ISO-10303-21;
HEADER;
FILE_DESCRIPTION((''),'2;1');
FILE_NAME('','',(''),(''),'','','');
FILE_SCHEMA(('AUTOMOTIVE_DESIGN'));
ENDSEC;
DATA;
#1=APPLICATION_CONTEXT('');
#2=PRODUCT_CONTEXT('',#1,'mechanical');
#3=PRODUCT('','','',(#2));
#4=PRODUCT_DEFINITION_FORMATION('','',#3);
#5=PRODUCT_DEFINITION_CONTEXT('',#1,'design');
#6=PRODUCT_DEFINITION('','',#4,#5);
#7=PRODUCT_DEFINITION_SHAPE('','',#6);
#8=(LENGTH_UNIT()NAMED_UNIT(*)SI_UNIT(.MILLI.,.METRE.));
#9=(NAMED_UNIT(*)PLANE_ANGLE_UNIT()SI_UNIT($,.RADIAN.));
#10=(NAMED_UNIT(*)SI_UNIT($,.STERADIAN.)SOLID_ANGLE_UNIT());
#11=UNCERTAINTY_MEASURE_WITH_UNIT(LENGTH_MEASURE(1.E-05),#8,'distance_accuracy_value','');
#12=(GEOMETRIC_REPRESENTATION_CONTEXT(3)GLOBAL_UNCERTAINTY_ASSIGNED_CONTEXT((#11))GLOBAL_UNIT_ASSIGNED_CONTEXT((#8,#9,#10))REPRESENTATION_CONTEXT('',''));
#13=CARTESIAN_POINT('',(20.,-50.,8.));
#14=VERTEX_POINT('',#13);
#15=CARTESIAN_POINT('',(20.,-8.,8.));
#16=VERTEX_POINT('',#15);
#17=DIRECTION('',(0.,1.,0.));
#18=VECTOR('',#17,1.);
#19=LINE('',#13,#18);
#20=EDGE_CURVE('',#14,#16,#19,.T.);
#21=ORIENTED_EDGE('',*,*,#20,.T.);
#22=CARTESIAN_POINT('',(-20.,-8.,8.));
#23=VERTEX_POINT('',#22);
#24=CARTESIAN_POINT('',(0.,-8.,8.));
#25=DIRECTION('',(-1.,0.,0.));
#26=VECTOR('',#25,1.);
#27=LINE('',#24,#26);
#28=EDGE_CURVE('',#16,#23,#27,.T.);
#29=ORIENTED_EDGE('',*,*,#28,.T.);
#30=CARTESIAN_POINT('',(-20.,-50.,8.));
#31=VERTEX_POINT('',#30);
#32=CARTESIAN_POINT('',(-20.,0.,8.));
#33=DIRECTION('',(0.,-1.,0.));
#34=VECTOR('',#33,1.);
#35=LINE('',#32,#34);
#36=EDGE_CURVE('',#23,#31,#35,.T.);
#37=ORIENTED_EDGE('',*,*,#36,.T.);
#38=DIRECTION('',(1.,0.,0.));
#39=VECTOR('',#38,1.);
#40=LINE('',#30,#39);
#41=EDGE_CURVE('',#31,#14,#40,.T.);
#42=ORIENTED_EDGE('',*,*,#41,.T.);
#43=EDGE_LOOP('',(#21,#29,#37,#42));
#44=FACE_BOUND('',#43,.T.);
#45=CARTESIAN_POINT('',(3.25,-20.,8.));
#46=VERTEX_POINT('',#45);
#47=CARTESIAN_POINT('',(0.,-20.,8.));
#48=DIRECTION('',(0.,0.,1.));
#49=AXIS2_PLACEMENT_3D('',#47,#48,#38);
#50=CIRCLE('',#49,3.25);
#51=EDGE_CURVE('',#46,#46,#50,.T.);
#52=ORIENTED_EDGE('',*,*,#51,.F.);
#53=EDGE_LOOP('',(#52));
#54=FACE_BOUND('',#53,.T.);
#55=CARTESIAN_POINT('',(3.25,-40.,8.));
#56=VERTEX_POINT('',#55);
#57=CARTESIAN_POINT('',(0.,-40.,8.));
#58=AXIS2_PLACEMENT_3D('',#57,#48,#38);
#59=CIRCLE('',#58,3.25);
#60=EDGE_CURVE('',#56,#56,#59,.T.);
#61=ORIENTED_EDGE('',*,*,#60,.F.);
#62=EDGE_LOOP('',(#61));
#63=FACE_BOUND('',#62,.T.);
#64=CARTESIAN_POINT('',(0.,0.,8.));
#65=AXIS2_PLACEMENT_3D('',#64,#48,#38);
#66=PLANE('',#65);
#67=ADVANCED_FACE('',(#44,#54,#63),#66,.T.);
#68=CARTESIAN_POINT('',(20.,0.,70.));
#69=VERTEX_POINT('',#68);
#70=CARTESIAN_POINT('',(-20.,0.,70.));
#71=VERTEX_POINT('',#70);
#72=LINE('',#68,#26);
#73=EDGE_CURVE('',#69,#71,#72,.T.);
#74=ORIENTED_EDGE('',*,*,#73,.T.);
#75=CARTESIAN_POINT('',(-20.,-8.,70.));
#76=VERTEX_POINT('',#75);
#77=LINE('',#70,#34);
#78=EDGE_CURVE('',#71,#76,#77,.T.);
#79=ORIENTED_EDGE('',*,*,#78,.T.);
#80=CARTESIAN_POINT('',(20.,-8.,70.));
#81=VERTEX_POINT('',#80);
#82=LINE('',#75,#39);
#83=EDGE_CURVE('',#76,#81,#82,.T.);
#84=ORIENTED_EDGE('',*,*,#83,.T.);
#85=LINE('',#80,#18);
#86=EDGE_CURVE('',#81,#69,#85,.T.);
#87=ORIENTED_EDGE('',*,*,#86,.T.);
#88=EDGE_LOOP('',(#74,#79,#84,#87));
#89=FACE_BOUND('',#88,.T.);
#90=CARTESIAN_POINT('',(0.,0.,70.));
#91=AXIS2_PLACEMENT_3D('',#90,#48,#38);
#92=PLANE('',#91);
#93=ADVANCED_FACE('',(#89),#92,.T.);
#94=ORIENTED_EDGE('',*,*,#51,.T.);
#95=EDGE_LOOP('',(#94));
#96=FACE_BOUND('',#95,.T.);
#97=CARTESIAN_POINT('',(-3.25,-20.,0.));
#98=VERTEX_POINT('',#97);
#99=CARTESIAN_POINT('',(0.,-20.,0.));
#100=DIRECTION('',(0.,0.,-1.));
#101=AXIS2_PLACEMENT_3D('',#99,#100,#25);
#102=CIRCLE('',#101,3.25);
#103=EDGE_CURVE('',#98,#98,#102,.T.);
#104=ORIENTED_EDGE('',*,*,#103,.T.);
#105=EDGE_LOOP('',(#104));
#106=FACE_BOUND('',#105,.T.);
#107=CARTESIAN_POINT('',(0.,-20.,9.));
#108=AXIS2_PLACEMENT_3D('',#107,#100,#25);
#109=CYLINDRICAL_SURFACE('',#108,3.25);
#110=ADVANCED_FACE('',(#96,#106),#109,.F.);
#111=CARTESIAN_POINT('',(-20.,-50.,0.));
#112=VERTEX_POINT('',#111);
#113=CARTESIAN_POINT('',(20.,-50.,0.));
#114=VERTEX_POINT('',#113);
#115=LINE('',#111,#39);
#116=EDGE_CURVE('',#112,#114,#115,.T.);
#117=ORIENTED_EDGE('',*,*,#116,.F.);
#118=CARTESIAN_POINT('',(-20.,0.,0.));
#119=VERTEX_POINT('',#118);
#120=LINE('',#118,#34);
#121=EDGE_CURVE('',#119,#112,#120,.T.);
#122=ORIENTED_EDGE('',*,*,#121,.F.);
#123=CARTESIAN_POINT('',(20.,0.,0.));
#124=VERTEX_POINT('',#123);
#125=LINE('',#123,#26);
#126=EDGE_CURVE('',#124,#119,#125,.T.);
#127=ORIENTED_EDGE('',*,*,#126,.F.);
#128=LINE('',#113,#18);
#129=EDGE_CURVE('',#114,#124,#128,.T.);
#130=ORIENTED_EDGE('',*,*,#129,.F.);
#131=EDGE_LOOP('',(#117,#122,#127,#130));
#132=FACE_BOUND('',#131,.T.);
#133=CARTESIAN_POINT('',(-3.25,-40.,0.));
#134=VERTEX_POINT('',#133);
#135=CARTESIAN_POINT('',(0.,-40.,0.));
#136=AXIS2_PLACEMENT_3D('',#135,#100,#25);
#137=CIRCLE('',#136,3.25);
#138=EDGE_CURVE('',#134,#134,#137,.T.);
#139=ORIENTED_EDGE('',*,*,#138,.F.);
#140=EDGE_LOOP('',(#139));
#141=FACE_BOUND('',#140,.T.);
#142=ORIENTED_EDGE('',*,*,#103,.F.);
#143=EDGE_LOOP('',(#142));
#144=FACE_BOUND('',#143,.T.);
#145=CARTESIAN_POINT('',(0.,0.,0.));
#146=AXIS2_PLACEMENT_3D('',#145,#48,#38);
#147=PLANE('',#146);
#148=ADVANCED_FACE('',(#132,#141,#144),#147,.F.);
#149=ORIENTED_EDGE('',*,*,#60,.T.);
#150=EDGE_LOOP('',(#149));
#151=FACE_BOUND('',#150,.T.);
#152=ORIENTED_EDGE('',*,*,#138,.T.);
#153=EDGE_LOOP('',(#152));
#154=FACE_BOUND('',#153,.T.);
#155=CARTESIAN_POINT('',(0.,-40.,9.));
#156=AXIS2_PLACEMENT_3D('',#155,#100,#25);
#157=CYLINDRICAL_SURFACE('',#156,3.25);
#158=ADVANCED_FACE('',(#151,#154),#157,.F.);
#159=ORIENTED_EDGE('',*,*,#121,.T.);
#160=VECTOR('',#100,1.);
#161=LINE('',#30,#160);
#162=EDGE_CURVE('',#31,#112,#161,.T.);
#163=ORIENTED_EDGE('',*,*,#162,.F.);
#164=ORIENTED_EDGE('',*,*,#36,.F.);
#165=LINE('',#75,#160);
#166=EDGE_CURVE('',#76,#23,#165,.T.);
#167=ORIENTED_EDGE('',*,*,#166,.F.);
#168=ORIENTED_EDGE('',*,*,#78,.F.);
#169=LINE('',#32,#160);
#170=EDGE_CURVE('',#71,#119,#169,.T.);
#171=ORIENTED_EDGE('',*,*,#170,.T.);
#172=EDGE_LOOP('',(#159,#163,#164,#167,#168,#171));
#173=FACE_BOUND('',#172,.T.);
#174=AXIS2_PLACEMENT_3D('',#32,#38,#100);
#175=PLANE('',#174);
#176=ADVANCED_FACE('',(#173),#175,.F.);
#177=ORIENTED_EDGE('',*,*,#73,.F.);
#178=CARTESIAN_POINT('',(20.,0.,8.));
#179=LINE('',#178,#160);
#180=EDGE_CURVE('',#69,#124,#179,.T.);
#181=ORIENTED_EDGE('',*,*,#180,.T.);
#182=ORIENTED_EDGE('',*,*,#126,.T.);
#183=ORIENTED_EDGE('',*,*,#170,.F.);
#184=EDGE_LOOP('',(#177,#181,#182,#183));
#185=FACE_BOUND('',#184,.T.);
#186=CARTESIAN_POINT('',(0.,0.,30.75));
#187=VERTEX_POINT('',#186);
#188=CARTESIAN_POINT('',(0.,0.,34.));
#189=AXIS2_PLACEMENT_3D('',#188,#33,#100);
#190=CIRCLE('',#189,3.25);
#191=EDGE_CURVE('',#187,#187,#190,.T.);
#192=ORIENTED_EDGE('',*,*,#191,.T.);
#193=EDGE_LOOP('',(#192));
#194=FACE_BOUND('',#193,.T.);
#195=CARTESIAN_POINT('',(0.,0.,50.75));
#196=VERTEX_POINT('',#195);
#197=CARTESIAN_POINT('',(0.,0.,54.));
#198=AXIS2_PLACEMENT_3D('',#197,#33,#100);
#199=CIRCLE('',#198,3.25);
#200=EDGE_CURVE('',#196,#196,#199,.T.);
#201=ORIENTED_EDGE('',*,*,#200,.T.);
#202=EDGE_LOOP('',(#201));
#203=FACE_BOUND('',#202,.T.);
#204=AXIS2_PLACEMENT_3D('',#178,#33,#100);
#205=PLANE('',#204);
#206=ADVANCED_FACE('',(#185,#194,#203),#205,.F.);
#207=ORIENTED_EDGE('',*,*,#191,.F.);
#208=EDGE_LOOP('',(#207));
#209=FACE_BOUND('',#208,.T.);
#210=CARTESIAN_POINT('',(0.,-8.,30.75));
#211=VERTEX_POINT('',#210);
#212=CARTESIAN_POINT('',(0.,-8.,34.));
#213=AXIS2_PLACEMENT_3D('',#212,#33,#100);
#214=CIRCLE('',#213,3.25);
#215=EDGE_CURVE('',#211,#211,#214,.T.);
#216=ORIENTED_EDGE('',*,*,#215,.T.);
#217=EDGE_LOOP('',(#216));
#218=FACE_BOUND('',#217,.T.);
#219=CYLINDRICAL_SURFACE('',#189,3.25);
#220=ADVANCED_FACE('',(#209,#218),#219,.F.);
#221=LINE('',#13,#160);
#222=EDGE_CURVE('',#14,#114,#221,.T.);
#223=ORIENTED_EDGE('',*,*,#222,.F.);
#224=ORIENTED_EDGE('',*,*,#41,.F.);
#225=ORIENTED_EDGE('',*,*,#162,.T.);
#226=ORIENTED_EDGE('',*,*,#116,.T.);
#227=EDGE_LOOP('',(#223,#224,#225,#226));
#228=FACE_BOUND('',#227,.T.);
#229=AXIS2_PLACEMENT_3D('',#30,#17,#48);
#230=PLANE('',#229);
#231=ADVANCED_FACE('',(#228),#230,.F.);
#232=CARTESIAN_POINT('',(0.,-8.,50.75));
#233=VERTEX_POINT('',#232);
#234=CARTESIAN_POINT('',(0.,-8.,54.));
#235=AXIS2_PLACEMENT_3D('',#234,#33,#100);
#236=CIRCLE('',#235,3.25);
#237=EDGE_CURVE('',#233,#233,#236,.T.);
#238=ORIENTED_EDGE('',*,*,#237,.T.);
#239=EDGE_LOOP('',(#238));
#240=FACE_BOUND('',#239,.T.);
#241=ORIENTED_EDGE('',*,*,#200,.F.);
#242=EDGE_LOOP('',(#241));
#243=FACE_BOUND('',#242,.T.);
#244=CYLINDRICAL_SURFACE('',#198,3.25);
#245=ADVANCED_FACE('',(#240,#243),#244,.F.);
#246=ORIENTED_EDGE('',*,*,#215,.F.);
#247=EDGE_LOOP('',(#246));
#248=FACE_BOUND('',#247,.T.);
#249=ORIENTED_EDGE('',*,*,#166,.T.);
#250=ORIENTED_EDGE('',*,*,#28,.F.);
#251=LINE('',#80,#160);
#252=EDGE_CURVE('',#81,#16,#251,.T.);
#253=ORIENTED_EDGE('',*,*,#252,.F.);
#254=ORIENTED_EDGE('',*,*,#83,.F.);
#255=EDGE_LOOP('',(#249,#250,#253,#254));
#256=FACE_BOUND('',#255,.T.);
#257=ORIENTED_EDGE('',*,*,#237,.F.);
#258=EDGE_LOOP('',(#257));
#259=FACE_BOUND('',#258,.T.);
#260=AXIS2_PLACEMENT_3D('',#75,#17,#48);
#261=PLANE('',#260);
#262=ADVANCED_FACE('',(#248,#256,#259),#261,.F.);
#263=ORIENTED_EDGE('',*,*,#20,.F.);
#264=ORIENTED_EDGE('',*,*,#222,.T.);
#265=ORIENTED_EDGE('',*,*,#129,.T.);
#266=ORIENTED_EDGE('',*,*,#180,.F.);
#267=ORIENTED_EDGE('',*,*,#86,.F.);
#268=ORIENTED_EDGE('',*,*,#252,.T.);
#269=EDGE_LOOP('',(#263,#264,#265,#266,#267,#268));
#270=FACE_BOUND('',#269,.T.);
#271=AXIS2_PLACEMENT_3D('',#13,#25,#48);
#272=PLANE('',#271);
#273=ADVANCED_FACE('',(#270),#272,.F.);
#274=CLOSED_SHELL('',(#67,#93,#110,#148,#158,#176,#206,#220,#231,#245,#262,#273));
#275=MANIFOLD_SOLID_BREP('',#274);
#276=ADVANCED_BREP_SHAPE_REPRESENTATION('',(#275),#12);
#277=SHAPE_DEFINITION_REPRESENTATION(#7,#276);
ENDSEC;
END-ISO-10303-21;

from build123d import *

# Parameters (mm, degrees)
SKETCH_1_W          = 40
SKETCH_1_H          = 50
EXTRUDE_1_DEPTH     = 8
SKETCH_2_W          = 40
SKETCH_2_H          = 8
EXTRUDE_2_DEPTH     = 70
SKETCH_3_R          = 3.25
CUT_EXTRUDE_1_DEPTH = 9
SKETCH_4_R          = 3.25
CUT_EXTRUDE_2_DEPTH = 8


with BuildPart() as part:
    # 草图1 → 凸台-拉伸1 (new body)
    with BuildSketch(Plane.XY):
        with Locations((0, -25)):
            Rectangle(SKETCH_1_W, SKETCH_1_H)
    extrude(amount=EXTRUDE_1_DEPTH)

    # 草图2 → 凸台-拉伸2 (add)
    with BuildSketch(Plane.XY):
        with Locations((0, -4)):
            Rectangle(SKETCH_2_W, SKETCH_2_H)
    extrude(amount=EXTRUDE_2_DEPTH)

    # 草图3 → 切除-拉伸1 (cut)
    with BuildSketch(Plane(origin=(0, 0, 0), x_dir=(-1, 0, 0), z_dir=(0, 0, -1))):
        with Locations((0, -20)):
            Circle(SKETCH_3_R)
        with Locations((0, -40)):
            Circle(SKETCH_3_R)
    extrude(amount=-CUT_EXTRUDE_1_DEPTH, mode=Mode.SUBTRACT)

    # 草图4 → 切除-拉伸2 (cut)
    with BuildSketch(Plane.XZ.offset(8)):
        with Locations(Location((0, 34, 0), (0, 0, 270))):
            Circle(SKETCH_4_R)
        with Locations(Location((0, 54, 0), (0, 0, 270))):
            Circle(SKETCH_4_R)
    extrude(amount=-CUT_EXTRUDE_2_DEPTH, mode=Mode.SUBTRACT)


solid = part.part
